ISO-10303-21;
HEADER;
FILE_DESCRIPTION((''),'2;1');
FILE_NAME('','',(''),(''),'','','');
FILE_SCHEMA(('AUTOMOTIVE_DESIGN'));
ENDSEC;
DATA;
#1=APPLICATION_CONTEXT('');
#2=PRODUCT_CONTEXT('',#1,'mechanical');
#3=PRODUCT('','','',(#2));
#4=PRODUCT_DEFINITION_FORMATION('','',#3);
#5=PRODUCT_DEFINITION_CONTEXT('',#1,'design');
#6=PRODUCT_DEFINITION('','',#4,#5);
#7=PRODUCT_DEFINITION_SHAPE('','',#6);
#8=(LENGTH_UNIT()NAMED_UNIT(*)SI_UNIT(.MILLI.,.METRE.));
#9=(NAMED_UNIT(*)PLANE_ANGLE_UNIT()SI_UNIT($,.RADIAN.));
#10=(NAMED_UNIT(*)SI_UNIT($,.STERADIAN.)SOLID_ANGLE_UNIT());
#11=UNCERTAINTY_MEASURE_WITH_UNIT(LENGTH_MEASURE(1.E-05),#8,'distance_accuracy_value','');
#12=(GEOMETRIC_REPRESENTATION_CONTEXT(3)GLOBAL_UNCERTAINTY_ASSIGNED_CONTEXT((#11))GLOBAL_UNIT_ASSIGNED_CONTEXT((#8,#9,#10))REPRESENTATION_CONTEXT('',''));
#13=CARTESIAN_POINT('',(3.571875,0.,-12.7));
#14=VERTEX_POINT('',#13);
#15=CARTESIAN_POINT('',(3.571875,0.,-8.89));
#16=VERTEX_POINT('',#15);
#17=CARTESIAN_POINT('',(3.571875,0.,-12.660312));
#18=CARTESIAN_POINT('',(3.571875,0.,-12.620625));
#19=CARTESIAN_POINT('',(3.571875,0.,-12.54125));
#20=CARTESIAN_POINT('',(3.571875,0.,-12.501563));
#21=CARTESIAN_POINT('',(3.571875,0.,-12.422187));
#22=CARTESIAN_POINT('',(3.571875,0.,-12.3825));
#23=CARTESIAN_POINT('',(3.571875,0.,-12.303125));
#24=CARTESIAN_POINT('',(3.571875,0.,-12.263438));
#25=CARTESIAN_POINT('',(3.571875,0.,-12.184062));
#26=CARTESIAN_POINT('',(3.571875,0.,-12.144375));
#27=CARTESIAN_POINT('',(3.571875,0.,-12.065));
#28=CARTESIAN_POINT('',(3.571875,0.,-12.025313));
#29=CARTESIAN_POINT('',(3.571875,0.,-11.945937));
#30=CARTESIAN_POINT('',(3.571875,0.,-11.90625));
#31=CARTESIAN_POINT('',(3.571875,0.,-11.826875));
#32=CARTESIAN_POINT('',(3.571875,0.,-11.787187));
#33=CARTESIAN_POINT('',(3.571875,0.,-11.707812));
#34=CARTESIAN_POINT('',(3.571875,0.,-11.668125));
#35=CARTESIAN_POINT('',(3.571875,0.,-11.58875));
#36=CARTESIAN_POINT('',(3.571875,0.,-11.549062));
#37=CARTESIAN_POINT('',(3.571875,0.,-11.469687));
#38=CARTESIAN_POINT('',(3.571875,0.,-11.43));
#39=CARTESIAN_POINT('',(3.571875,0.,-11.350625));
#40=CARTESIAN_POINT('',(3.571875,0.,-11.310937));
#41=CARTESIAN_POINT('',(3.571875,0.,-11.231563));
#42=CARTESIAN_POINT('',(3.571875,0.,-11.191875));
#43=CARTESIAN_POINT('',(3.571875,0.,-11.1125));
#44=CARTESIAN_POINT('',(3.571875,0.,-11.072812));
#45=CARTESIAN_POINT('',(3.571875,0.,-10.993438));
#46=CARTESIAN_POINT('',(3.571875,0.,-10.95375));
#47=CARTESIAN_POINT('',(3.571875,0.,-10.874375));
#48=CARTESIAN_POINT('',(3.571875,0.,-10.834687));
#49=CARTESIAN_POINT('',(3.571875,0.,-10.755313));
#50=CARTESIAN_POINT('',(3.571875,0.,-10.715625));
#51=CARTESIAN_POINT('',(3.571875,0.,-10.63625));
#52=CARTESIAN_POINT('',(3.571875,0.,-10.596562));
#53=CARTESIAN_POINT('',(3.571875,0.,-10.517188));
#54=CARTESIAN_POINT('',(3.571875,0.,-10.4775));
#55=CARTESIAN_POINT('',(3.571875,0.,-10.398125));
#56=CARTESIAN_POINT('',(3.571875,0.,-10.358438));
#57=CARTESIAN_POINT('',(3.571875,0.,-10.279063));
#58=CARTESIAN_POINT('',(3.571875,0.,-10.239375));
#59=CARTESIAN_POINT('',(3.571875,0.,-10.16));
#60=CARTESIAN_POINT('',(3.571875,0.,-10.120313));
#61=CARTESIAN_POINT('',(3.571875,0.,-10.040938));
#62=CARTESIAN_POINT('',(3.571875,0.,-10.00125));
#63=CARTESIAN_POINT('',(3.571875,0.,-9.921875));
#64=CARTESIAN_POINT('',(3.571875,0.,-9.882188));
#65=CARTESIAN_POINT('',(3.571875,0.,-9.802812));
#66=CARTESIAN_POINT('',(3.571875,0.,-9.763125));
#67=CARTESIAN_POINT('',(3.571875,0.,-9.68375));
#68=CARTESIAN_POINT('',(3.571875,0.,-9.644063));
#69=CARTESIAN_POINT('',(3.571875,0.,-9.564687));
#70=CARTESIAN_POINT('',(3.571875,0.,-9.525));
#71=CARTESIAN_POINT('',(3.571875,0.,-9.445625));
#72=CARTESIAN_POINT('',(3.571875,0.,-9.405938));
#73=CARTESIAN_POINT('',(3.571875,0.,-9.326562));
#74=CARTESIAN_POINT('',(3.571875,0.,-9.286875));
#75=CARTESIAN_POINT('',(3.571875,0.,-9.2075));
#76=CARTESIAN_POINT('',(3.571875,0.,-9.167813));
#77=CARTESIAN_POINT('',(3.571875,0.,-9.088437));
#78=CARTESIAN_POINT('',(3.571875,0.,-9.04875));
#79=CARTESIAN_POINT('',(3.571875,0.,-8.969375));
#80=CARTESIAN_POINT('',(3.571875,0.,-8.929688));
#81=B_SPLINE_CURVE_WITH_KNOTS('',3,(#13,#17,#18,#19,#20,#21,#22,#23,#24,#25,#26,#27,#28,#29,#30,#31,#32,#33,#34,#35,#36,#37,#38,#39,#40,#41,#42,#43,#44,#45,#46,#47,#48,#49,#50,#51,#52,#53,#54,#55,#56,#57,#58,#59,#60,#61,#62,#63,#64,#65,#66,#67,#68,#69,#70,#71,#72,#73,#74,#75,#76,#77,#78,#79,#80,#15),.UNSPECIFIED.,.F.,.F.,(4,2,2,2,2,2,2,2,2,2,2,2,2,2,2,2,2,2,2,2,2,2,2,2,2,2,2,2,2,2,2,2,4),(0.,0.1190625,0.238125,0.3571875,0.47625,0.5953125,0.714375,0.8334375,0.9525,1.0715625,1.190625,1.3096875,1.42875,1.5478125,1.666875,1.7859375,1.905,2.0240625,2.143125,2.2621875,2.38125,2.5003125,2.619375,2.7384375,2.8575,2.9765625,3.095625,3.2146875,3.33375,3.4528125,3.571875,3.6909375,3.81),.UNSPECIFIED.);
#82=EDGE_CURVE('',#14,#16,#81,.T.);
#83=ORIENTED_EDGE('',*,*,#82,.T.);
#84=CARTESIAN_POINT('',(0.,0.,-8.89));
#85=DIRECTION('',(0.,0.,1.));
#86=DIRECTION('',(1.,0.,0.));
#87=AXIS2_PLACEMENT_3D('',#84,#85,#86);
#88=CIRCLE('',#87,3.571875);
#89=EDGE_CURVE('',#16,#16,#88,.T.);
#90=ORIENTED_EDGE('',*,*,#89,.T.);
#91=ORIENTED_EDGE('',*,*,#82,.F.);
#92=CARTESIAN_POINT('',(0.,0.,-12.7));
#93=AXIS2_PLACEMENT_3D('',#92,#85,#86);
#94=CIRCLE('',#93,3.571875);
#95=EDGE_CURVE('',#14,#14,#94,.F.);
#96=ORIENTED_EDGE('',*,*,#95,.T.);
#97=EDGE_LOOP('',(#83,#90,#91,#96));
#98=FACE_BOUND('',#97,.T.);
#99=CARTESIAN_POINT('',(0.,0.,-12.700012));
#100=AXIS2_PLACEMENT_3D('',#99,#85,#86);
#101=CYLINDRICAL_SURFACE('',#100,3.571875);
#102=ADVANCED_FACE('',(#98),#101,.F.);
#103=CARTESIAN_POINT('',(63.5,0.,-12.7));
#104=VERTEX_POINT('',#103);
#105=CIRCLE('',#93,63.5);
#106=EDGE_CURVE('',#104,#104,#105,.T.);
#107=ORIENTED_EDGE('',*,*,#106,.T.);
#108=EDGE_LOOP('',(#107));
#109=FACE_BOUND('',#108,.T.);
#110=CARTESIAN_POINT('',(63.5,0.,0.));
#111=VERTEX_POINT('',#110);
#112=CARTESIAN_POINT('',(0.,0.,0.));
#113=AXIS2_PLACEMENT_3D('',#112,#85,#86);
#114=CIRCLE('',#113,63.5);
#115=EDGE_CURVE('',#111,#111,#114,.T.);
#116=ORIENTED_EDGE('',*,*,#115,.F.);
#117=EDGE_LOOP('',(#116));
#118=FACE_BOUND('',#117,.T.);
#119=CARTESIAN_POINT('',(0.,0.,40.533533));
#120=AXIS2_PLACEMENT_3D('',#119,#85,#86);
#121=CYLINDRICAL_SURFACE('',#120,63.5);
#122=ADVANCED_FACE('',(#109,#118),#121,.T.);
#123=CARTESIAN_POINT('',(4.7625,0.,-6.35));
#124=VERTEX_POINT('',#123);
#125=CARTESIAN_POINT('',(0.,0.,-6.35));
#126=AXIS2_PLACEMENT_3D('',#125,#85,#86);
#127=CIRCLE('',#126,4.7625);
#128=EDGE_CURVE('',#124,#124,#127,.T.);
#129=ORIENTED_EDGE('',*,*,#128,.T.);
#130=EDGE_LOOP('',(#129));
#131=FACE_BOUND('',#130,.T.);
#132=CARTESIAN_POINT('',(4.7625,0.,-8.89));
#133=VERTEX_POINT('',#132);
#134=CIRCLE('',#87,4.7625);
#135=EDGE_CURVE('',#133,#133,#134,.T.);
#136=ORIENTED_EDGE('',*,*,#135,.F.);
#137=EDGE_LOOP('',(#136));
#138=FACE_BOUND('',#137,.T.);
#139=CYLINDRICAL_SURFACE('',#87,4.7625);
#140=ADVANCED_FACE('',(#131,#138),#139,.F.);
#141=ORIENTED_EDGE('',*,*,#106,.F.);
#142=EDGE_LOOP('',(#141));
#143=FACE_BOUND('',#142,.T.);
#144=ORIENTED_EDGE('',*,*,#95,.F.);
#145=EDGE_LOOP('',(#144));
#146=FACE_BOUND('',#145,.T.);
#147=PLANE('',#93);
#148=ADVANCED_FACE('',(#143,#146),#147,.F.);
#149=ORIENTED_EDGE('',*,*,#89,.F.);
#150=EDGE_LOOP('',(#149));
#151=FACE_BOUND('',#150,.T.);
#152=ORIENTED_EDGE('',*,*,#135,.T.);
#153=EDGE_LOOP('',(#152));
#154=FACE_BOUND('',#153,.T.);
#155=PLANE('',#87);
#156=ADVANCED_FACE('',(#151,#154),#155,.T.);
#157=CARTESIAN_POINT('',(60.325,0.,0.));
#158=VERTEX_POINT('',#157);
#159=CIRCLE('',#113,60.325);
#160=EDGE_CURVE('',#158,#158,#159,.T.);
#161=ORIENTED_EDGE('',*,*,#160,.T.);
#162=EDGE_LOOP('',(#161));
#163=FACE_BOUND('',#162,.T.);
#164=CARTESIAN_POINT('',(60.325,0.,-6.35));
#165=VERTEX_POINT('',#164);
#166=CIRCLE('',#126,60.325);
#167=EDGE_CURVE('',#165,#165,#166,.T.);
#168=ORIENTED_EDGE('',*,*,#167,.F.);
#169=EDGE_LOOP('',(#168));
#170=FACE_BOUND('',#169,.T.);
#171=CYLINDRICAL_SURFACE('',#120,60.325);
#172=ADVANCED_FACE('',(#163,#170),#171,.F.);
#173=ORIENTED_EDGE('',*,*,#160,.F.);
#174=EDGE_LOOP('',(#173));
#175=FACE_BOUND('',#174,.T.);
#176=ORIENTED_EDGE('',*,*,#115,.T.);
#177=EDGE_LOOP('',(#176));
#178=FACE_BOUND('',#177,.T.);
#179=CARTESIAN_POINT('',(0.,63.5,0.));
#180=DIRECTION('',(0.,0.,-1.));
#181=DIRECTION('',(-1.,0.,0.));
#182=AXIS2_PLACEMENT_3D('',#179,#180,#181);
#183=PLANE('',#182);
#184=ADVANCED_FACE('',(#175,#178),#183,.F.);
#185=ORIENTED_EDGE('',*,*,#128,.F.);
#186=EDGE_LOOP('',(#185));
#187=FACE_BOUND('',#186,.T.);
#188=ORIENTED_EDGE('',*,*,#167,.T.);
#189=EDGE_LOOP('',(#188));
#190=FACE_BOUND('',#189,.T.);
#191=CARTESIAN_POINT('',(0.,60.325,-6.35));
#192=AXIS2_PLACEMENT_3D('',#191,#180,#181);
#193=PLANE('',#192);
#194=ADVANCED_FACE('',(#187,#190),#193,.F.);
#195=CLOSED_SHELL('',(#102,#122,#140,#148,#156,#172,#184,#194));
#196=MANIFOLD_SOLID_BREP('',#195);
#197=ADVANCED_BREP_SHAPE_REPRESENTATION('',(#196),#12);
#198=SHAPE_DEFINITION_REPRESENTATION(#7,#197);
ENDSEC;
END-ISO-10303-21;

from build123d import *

# Parameters (mm, degrees)
CUT_EXTRUDE1_REACH             = 92.696
SKETCH3_R                      = 3.571875
CUT_EXTRUDE1_DIRECTION_2_DEPTH = 91.696141042
SKETCH4_R                      = 4.7625
CUT_EXTRUDE2_DEPTH             = 2.54


with BuildPart() as part:
    # Sketch2 → Revolve1 (revolve)
    with BuildSketch(Plane(origin=(0, 0, 0), x_dir=(0, 0, -1), z_dir=(1, 0, 0)), mode=Mode.PRIVATE) as revolve1_sk:
        Polygon((0, 63.5), (0, 60.325), (6.35, 60.325), (6.35, 0), (12.7, 0), (12.7, 63.5), align=None)
    revolve(revolve1_sk.sketch.rotate(Axis((0, 0, 40.533532934), (0, 0, -1)), 90), axis=Axis((0, 0, 40.533532934), (0, 0, -1)))

    # Sketch3 → Cut-Extrude1 (cut, up to next)
    with BuildSketch(Plane(origin=(0, 0, -12.7), x_dir=(-1, 0, 0), z_dir=(0, 0, -1)), mode=Mode.PRIVATE) as cut_extrude1_sk1:
        with Locations(Location((0, 0, 0), (0, 0, 180))):
            Circle(SKETCH3_R)
    cut_extrude1_tool1 = extrude(cut_extrude1_sk1.sketch, amount=-CUT_EXTRUDE1_REACH, mode=Mode.PRIVATE) & part.part
    add(cut_extrude1_tool1.solids().sort_by_distance((0, 0, -12.7))[0], mode=Mode.SUBTRACT)

    # Sketch3 → Cut-Extrude1 direction 2 (cut)
    with BuildSketch(Plane(origin=(0, 0, -12.7), x_dir=(-1, 0, 0), z_dir=(0, 0, -1))):
        with Locations(Location((0, 0, 0), (0, 0, 180))):
            Circle(SKETCH3_R)
    extrude(amount=CUT_EXTRUDE1_DIRECTION_2_DEPTH, mode=Mode.SUBTRACT)

    # Sketch4 → Cut-Extrude2 (cut)
    with BuildSketch(Plane.XY.offset(-6.35)):
        Circle(SKETCH4_R)
    extrude(amount=-CUT_EXTRUDE2_DEPTH, mode=Mode.SUBTRACT)


solid = part.part
